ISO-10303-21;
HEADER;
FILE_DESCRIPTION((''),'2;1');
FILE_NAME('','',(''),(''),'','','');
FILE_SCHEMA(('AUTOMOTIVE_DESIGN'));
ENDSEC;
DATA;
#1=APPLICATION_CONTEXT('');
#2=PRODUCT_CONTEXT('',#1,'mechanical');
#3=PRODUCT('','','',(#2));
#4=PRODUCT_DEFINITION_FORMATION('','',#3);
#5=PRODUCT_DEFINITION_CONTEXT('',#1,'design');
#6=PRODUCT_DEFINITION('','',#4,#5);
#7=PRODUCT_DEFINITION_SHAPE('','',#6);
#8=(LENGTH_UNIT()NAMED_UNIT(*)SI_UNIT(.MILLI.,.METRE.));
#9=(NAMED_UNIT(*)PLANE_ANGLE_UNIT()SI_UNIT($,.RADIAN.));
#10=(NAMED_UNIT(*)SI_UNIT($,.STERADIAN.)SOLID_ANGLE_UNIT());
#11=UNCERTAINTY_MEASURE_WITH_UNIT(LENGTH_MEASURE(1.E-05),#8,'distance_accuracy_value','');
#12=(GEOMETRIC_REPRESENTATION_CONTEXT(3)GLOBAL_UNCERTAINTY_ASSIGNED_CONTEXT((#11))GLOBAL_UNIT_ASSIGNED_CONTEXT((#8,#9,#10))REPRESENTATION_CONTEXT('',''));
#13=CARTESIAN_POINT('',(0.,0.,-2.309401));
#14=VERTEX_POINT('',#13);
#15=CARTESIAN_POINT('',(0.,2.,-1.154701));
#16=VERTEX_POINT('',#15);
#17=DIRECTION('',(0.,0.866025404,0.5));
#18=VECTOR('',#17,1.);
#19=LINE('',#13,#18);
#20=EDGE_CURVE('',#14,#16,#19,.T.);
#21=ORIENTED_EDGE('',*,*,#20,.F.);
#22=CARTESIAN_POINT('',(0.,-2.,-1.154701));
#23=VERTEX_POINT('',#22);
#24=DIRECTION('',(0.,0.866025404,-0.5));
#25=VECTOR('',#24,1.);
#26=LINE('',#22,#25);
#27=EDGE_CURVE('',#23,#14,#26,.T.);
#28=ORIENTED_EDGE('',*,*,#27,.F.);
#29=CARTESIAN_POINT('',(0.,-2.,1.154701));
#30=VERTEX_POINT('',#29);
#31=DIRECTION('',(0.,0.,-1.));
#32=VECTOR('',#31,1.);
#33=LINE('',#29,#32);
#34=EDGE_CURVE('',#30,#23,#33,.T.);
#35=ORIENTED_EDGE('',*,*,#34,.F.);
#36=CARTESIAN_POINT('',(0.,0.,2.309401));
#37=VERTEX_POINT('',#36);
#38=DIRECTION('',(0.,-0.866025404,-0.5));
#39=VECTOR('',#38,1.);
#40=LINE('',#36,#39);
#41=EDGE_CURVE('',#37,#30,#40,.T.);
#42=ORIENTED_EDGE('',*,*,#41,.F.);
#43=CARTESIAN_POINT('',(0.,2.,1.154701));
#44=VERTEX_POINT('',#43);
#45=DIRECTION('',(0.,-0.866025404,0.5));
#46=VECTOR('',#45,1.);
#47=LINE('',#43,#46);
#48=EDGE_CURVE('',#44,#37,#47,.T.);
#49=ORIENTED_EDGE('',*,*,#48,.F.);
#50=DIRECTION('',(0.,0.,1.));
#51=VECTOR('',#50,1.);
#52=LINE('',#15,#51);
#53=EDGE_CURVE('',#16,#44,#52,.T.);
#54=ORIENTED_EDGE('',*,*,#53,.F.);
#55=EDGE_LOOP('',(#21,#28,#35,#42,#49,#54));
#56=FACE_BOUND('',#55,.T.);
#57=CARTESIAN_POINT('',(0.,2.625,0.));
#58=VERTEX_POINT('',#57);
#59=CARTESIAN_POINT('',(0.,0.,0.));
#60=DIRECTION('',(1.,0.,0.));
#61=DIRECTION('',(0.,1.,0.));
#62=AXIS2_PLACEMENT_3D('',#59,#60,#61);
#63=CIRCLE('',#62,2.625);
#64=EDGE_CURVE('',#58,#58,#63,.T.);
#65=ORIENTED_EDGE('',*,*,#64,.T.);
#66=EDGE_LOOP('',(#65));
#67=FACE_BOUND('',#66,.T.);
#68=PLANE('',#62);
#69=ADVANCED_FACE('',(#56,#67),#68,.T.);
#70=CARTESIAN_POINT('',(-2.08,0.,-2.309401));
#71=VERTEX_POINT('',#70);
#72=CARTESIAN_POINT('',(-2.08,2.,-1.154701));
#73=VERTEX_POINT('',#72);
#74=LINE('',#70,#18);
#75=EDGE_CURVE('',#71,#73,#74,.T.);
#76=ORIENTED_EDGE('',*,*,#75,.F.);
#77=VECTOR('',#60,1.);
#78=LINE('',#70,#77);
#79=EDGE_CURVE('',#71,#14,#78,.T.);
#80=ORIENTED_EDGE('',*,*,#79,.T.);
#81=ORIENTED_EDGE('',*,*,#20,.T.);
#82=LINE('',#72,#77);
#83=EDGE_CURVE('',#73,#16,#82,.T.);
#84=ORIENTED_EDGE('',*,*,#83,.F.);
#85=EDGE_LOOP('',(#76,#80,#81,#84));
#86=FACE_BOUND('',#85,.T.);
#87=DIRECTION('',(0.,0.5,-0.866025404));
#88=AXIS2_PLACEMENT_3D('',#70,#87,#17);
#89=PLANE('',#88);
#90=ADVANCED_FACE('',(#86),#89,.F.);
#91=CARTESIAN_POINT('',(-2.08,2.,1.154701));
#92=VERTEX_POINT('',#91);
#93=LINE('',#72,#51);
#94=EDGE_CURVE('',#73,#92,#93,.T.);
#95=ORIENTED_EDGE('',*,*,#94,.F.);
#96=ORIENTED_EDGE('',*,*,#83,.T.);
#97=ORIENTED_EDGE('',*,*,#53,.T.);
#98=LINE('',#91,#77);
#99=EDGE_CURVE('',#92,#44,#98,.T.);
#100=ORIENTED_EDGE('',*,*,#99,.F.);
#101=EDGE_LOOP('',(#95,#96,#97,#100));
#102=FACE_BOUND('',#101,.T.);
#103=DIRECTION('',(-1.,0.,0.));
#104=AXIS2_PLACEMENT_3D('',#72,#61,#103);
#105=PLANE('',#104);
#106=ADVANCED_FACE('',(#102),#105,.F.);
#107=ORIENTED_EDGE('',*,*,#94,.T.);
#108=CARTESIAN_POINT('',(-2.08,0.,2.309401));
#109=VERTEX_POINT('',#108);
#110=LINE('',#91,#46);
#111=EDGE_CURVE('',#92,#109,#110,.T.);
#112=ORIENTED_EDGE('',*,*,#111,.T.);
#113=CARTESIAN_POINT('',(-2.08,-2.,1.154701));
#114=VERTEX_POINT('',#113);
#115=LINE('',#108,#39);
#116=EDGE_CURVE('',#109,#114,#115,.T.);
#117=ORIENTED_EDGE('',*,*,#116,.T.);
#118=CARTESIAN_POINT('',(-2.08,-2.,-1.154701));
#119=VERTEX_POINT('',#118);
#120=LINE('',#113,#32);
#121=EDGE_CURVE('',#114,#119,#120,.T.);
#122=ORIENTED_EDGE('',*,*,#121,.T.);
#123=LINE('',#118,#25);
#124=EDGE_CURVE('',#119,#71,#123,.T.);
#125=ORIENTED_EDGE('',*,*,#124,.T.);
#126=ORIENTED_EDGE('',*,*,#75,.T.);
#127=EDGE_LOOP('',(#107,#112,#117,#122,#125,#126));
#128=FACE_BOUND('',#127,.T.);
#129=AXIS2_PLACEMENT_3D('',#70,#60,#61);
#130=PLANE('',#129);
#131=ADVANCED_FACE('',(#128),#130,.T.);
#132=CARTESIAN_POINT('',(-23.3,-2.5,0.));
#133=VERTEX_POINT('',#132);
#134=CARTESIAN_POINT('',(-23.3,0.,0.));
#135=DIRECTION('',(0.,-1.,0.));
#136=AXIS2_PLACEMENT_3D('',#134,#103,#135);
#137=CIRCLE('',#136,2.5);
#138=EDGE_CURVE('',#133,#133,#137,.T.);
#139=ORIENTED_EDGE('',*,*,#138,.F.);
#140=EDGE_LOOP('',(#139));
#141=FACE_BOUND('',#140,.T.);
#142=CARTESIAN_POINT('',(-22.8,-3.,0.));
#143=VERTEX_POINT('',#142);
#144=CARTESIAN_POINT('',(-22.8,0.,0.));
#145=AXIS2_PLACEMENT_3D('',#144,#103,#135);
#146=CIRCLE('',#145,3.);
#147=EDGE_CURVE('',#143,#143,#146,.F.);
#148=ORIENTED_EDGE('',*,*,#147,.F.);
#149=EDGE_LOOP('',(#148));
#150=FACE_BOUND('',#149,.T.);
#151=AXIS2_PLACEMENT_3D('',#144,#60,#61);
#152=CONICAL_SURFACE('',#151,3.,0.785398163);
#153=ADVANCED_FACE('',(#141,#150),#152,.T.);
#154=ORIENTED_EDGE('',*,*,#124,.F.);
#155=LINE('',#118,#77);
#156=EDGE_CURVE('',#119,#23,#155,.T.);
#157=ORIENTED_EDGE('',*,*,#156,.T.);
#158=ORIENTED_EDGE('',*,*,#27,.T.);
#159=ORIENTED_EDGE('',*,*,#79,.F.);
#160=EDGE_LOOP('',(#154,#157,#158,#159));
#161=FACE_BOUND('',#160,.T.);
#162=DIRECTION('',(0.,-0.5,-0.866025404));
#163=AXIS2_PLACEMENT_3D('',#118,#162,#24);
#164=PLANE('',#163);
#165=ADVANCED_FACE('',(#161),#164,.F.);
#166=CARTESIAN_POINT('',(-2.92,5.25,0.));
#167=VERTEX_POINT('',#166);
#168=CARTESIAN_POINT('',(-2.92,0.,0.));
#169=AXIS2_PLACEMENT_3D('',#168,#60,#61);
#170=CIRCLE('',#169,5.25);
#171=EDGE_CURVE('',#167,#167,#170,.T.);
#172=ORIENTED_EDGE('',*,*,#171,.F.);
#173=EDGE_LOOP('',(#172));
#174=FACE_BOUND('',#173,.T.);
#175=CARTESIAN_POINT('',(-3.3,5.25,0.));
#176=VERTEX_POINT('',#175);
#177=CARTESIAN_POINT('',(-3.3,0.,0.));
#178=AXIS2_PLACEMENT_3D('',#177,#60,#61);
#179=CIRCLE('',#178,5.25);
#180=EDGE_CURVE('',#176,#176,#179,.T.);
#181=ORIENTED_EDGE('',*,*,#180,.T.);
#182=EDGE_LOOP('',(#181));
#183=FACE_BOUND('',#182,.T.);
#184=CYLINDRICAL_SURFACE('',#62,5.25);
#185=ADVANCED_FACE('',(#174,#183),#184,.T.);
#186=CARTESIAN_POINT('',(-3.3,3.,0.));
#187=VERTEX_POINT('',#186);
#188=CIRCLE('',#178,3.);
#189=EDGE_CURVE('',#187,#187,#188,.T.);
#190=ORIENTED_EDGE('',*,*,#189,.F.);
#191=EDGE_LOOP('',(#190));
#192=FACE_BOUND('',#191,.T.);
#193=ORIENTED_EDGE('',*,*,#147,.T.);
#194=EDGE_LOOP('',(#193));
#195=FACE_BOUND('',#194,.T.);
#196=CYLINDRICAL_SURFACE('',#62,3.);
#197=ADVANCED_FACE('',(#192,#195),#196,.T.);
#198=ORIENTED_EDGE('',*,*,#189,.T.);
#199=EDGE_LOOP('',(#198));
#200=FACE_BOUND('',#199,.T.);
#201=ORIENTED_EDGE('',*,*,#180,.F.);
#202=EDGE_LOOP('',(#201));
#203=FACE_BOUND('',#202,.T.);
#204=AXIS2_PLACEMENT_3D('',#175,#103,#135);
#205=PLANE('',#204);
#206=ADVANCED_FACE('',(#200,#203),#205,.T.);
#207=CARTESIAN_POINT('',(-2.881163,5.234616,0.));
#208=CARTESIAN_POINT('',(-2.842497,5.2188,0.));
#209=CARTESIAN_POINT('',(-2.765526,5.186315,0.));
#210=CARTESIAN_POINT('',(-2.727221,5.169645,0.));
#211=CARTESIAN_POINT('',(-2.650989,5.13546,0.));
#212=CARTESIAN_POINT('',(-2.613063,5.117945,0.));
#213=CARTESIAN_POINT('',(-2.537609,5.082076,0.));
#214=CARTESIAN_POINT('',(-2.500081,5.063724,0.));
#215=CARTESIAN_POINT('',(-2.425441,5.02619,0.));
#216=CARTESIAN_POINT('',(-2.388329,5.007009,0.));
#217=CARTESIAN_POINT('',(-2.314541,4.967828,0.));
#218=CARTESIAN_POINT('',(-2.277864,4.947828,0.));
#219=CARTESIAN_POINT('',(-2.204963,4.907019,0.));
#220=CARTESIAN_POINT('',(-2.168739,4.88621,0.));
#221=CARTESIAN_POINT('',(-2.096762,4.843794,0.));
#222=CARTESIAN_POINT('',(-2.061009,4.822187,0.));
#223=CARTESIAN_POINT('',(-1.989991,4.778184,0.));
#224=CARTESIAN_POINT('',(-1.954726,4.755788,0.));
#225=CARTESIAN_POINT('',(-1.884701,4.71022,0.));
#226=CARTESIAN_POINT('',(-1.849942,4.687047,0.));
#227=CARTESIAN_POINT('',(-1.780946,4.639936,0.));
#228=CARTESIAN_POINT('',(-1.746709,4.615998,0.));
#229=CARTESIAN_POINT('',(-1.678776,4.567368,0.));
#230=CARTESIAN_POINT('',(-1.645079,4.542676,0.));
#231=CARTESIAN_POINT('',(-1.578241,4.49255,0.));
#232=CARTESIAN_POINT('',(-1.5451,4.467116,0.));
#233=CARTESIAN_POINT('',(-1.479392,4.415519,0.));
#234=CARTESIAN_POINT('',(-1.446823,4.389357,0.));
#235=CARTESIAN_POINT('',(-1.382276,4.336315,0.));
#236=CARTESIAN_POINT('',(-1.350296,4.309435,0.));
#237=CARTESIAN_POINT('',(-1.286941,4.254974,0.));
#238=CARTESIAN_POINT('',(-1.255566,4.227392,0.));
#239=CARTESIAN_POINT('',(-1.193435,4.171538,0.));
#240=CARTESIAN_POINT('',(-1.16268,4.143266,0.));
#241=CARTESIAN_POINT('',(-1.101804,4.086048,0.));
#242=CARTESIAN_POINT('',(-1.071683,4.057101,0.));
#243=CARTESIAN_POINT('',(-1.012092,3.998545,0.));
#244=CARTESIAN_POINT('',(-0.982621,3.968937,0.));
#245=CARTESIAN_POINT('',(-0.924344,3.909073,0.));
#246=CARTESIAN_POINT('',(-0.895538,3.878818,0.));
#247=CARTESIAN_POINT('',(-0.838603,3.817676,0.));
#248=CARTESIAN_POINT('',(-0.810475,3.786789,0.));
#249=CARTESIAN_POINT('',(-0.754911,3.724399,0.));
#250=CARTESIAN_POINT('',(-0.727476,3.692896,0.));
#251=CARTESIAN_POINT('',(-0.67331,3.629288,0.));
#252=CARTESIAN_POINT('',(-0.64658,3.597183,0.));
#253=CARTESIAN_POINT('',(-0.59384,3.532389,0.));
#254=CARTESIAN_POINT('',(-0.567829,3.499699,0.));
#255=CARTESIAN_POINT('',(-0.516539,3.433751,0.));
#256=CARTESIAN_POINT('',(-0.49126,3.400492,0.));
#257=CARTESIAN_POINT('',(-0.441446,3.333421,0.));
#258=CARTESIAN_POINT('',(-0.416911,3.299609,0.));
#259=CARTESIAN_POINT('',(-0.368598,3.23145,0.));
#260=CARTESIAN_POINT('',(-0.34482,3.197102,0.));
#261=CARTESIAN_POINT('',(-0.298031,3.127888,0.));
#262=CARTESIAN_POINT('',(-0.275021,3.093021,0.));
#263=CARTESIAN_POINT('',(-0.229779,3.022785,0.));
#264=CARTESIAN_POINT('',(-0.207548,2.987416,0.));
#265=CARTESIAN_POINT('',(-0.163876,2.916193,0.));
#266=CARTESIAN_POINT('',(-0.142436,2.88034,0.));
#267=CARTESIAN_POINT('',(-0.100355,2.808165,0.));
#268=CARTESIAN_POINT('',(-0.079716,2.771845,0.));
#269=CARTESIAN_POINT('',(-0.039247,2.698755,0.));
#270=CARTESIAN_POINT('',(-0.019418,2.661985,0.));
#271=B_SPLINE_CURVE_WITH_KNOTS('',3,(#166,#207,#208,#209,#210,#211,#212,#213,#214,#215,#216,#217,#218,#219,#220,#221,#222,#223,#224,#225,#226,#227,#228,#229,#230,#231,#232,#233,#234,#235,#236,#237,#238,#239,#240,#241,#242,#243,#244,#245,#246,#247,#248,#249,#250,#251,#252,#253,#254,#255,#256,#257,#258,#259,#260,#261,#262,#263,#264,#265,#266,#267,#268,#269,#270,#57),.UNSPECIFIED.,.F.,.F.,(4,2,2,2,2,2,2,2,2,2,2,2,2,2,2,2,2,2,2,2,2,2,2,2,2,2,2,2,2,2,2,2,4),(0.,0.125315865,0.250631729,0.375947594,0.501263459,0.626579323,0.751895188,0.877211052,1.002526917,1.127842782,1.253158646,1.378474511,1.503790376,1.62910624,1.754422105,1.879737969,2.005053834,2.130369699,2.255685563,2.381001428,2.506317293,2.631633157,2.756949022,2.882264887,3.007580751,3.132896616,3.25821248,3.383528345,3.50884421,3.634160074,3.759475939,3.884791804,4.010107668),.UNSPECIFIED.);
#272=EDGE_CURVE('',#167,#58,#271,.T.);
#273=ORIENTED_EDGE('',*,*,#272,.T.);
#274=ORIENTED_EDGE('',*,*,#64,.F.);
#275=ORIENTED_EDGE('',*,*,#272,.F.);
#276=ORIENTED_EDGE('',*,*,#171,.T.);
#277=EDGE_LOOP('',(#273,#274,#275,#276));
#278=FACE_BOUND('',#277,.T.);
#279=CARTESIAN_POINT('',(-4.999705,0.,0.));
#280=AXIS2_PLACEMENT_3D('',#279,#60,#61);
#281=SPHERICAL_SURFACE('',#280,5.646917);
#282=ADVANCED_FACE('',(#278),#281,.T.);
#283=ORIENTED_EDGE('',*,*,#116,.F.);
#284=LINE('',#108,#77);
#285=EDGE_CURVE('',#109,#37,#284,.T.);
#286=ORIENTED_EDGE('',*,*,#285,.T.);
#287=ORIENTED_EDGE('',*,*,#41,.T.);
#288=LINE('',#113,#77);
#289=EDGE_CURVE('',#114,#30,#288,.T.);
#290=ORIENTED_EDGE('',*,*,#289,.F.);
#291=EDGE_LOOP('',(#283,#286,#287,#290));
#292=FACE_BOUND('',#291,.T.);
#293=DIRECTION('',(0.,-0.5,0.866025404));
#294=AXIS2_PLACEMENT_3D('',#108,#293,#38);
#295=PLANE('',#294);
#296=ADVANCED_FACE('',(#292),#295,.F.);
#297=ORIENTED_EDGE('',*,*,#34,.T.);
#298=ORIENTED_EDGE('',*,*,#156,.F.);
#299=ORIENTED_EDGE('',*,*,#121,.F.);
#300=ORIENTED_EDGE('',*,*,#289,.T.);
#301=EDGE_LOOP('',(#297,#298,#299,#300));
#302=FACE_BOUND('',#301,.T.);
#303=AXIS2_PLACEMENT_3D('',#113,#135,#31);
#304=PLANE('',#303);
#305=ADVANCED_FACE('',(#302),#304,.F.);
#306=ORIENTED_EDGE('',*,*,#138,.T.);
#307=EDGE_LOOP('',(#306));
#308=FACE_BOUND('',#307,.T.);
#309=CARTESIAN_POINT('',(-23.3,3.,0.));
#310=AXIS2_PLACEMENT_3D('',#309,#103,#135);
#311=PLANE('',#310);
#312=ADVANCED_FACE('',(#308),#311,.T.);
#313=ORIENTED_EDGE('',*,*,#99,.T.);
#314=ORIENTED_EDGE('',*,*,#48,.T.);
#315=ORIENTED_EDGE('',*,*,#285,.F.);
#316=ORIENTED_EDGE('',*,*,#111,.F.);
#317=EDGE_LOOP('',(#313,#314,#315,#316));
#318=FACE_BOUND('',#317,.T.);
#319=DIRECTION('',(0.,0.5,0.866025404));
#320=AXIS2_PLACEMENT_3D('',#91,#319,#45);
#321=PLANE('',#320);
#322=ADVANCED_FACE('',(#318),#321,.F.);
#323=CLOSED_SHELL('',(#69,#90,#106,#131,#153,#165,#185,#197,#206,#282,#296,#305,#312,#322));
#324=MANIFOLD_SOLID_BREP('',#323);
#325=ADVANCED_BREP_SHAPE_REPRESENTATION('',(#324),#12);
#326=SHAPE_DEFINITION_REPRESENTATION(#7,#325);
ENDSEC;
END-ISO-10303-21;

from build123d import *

# Parameters (mm, degrees)
CUT_EXTRUDE1_DEPTH = 2.08
CHAMFER1_SIZE      = 0.5


with BuildPart() as part:
    # Sketch1 → Revolve1 (revolve)
    with BuildSketch(Plane.XY):
        with BuildLine():
            Line((0, 0), (0, 2.625))
            ThreePointArc((0, 2.625), (-1.224500646, 4.199464996), (-2.92, 5.25))
            Line((-2.92, 5.25), (-3.3, 5.25))
            Line((-3.3, 5.25), (-3.3, 3))
            Line((-3.3, 3), (-23.3, 3))
            Line((-23.3, 3), (-23.3, 0))
            Line((-23.3, 0), (0, 0))
        make_face()
    revolve(axis=Axis((0, 0, 0), (-1, 0, 0)))

    # Sketch2 → Cut-Extrude1 (cut)
    with BuildSketch(Plane(origin=(0, 0, 0), x_dir=(0, 0, -1), z_dir=(1, 0, 0))):
        Polygon((2.309401077, 0), (1.154700538, 2), (-1.154700538, 2), (-2.309401077, 0), (-1.154700538, -2), (1.154700538, -2), align=None)
    extrude(amount=-CUT_EXTRUDE1_DEPTH, mode=Mode.SUBTRACT)

    # Chamfer1
    chamfer1_edges = [part.edges().sort_by_distance(p)[0] for p in [
        (-23.3, -3, 0),
    ]]
    chamfer(chamfer1_edges, length=CHAMFER1_SIZE)


solid = part.part
